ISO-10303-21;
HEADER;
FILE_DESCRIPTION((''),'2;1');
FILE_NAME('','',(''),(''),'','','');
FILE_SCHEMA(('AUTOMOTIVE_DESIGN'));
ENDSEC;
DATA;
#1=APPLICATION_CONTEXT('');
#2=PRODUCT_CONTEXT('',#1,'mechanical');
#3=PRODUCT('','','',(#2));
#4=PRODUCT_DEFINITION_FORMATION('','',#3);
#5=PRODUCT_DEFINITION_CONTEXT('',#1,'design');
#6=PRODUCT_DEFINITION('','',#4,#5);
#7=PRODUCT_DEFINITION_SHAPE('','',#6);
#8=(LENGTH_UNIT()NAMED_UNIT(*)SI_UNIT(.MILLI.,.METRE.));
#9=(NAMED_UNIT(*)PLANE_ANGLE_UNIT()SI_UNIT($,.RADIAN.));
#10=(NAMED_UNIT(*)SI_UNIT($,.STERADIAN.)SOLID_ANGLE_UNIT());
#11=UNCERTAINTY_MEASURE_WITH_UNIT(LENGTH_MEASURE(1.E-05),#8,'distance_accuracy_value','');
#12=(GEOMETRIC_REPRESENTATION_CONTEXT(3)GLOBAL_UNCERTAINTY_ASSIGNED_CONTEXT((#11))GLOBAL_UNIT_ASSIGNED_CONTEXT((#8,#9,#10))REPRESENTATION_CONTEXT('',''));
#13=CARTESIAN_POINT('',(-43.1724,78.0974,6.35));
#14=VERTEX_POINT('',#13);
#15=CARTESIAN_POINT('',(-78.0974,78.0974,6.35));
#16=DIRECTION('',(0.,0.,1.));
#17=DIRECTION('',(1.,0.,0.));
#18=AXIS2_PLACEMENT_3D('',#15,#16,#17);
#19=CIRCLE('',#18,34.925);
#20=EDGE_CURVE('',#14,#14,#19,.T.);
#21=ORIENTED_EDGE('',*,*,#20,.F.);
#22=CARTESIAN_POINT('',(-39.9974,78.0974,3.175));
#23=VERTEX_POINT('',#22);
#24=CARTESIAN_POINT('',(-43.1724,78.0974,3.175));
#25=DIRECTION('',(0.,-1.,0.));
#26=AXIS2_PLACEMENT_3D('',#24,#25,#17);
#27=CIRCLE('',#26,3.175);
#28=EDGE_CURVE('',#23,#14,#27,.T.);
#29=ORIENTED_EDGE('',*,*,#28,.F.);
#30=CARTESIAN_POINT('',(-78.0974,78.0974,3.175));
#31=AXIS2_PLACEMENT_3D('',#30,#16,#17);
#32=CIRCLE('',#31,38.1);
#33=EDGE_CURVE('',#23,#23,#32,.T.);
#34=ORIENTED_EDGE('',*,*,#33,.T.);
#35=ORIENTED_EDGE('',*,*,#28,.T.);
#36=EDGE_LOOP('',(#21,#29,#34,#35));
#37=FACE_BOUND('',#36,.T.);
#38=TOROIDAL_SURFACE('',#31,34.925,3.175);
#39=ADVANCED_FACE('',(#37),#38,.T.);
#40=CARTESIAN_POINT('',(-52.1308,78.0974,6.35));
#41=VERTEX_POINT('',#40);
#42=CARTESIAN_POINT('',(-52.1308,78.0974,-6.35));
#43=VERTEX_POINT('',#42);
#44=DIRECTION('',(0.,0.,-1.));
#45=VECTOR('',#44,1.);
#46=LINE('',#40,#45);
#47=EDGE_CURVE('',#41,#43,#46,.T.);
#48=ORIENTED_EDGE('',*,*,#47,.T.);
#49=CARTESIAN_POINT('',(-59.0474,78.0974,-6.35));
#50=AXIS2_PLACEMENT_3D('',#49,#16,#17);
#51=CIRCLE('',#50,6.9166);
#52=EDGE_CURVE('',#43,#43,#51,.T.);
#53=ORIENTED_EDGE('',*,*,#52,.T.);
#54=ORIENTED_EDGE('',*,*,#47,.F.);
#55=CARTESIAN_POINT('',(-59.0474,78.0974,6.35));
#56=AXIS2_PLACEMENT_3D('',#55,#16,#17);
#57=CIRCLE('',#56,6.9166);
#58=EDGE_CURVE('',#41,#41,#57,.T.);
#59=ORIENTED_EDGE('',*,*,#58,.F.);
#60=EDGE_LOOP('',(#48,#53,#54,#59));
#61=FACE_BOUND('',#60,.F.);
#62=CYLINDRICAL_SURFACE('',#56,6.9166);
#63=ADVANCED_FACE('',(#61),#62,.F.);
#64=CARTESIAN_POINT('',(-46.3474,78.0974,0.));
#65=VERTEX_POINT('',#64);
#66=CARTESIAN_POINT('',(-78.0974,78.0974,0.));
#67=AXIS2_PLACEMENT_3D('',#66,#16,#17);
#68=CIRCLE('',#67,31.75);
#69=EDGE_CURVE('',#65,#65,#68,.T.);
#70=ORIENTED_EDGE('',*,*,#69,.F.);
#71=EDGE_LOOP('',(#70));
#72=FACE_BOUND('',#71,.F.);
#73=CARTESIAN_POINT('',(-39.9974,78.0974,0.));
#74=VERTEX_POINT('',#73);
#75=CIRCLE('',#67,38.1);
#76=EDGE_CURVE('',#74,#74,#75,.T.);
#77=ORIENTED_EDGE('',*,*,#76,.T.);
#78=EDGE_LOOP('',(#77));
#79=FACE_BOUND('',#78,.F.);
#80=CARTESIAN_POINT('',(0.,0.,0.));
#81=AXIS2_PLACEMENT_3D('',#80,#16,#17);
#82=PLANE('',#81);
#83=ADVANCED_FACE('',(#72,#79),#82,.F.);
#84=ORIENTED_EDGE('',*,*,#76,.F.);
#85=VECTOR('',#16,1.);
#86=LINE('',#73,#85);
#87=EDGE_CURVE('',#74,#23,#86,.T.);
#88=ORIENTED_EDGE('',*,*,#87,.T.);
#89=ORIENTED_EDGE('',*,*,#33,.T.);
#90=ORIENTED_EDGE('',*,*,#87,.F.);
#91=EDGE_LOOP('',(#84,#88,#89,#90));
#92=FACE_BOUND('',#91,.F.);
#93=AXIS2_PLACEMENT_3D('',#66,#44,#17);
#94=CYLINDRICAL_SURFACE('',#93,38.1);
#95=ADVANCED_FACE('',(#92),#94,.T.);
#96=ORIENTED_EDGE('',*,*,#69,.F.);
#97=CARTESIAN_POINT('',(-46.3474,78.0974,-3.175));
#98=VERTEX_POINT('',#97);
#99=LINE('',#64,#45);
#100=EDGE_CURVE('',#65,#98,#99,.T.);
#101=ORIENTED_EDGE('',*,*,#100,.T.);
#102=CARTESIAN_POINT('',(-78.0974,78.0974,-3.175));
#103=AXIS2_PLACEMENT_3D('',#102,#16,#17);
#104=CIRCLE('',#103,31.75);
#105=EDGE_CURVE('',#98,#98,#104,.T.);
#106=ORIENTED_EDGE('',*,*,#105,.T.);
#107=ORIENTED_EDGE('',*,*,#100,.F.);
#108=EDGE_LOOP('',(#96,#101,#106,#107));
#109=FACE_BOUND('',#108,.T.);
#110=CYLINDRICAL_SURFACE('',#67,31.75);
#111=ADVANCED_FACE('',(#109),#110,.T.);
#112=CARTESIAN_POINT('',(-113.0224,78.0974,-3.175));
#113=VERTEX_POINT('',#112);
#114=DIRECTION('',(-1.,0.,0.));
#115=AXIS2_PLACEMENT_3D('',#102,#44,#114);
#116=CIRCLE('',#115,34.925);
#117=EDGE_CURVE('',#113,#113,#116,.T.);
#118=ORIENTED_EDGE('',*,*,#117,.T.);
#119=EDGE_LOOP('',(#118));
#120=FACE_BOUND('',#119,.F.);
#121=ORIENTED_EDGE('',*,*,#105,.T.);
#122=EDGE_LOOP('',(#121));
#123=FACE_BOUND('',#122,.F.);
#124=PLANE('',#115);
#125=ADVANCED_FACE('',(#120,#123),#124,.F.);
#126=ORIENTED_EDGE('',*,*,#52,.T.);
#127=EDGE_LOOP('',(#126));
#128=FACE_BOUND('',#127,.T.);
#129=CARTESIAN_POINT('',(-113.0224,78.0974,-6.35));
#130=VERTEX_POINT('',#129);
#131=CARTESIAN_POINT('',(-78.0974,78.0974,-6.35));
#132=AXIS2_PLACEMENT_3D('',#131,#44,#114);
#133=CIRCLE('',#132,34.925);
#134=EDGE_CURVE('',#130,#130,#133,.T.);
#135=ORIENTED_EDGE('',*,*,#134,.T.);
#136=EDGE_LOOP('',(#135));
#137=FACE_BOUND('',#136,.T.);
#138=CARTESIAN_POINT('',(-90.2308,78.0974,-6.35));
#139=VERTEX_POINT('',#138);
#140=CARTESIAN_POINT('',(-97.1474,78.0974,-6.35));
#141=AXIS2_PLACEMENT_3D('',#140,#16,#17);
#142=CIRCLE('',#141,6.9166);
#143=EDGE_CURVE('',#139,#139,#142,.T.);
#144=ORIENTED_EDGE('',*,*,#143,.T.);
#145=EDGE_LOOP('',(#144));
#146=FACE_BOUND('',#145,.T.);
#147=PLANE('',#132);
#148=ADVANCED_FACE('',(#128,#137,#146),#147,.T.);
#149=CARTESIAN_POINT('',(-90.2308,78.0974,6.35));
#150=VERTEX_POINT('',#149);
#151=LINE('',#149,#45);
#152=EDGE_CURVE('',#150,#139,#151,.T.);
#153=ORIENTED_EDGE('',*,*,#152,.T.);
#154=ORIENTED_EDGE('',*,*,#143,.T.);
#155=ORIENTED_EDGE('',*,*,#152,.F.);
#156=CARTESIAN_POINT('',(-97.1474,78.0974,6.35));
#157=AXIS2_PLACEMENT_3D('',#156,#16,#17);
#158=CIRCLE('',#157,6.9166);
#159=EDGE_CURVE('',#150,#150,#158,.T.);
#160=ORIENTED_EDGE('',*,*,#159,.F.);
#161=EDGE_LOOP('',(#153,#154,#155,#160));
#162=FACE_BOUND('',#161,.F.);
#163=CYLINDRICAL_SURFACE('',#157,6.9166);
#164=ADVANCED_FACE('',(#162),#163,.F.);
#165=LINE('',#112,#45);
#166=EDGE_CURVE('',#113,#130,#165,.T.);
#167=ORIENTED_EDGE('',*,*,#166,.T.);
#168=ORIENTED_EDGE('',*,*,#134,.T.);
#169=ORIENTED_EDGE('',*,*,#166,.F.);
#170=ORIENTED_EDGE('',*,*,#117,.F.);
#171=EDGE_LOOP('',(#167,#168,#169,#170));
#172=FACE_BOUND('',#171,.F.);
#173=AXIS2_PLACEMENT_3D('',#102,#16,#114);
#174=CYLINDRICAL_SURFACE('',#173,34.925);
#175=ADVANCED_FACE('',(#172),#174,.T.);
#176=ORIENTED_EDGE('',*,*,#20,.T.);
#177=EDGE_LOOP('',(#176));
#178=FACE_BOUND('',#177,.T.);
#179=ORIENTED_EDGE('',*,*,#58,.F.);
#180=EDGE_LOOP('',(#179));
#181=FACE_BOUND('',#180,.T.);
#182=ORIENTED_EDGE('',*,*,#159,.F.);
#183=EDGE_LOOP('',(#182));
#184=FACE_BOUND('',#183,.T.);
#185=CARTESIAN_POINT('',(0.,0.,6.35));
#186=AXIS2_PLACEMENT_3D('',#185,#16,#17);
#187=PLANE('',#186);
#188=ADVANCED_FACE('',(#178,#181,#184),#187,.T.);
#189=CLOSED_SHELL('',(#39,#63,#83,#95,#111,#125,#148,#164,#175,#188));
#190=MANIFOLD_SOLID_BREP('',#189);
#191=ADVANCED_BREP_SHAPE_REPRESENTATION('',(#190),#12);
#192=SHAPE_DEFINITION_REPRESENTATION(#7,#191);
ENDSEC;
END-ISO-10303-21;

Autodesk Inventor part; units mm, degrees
ref_plane "YZ Plane" through (0, 0, 0) normal (1, 0, 0) x (0, 1, 0)
ref_plane "XZ Plane" through (0, 0, 0) normal (0, 1, 0) x (-1, 0, 0)
ref_plane "XY Plane" through (0, 0, 0) normal (0, 0, 1) x (1, 0, 0)
sketch "Sketch1" plane through (0, 0, 0) normal (0, 0, 1) x (1, 0, 0)
  circle A0 centre (-78.0974, 78.0974) radius 31.75 projected
  circle A1 centre (-78.0974, 78.0974) radius 38.1
  dimension "d0" = 76.2
extrude "Extrusion1" add sketch "Sketch1" along normal blind 6.35 contours A0 | A1
extrude "Extrusion2" add sketch "Sketch1" against normal blind 3.175 contours A0
sketch "Sketch3" plane through (-78.0974, 78.0974, -3.175) normal (0, 0, -1) x (-1, 0, 0)
  circle A0 centre (0, 0) radius 31.75 projected
  circle A1 centre (0, 0) radius 34.925
  dimension "d5" = 69.85
extrude "Extrusion3" add sketch "Sketch3" along normal blind 3.175 contours A0 | A1
fillet "Fillet1" radius 3.175 1 edges at (-116.1974, 78.0974, 6.35)
sketch "Sketch4" plane through (-78.0974, 78.0974, 6.35) normal (0, 0, 1) x (1, 0, 0)
  circle A0 centre (0, 0) radius 34.925 projected
  circle A1 centre (-19.05, 0) radius 6.9166
  circle A2 centre (19.05, 0) radius 6.9166
  dimension "d12" = 19.05
  dimension "d13" = 38.1
extrude "Extrusion4" cut sketch "Sketch4" against normal through all contours A1 | A2
equation "\"d13\" = 2 * d12"
properties part number "INSULATION-GASKET-2" material "Phenolic"
